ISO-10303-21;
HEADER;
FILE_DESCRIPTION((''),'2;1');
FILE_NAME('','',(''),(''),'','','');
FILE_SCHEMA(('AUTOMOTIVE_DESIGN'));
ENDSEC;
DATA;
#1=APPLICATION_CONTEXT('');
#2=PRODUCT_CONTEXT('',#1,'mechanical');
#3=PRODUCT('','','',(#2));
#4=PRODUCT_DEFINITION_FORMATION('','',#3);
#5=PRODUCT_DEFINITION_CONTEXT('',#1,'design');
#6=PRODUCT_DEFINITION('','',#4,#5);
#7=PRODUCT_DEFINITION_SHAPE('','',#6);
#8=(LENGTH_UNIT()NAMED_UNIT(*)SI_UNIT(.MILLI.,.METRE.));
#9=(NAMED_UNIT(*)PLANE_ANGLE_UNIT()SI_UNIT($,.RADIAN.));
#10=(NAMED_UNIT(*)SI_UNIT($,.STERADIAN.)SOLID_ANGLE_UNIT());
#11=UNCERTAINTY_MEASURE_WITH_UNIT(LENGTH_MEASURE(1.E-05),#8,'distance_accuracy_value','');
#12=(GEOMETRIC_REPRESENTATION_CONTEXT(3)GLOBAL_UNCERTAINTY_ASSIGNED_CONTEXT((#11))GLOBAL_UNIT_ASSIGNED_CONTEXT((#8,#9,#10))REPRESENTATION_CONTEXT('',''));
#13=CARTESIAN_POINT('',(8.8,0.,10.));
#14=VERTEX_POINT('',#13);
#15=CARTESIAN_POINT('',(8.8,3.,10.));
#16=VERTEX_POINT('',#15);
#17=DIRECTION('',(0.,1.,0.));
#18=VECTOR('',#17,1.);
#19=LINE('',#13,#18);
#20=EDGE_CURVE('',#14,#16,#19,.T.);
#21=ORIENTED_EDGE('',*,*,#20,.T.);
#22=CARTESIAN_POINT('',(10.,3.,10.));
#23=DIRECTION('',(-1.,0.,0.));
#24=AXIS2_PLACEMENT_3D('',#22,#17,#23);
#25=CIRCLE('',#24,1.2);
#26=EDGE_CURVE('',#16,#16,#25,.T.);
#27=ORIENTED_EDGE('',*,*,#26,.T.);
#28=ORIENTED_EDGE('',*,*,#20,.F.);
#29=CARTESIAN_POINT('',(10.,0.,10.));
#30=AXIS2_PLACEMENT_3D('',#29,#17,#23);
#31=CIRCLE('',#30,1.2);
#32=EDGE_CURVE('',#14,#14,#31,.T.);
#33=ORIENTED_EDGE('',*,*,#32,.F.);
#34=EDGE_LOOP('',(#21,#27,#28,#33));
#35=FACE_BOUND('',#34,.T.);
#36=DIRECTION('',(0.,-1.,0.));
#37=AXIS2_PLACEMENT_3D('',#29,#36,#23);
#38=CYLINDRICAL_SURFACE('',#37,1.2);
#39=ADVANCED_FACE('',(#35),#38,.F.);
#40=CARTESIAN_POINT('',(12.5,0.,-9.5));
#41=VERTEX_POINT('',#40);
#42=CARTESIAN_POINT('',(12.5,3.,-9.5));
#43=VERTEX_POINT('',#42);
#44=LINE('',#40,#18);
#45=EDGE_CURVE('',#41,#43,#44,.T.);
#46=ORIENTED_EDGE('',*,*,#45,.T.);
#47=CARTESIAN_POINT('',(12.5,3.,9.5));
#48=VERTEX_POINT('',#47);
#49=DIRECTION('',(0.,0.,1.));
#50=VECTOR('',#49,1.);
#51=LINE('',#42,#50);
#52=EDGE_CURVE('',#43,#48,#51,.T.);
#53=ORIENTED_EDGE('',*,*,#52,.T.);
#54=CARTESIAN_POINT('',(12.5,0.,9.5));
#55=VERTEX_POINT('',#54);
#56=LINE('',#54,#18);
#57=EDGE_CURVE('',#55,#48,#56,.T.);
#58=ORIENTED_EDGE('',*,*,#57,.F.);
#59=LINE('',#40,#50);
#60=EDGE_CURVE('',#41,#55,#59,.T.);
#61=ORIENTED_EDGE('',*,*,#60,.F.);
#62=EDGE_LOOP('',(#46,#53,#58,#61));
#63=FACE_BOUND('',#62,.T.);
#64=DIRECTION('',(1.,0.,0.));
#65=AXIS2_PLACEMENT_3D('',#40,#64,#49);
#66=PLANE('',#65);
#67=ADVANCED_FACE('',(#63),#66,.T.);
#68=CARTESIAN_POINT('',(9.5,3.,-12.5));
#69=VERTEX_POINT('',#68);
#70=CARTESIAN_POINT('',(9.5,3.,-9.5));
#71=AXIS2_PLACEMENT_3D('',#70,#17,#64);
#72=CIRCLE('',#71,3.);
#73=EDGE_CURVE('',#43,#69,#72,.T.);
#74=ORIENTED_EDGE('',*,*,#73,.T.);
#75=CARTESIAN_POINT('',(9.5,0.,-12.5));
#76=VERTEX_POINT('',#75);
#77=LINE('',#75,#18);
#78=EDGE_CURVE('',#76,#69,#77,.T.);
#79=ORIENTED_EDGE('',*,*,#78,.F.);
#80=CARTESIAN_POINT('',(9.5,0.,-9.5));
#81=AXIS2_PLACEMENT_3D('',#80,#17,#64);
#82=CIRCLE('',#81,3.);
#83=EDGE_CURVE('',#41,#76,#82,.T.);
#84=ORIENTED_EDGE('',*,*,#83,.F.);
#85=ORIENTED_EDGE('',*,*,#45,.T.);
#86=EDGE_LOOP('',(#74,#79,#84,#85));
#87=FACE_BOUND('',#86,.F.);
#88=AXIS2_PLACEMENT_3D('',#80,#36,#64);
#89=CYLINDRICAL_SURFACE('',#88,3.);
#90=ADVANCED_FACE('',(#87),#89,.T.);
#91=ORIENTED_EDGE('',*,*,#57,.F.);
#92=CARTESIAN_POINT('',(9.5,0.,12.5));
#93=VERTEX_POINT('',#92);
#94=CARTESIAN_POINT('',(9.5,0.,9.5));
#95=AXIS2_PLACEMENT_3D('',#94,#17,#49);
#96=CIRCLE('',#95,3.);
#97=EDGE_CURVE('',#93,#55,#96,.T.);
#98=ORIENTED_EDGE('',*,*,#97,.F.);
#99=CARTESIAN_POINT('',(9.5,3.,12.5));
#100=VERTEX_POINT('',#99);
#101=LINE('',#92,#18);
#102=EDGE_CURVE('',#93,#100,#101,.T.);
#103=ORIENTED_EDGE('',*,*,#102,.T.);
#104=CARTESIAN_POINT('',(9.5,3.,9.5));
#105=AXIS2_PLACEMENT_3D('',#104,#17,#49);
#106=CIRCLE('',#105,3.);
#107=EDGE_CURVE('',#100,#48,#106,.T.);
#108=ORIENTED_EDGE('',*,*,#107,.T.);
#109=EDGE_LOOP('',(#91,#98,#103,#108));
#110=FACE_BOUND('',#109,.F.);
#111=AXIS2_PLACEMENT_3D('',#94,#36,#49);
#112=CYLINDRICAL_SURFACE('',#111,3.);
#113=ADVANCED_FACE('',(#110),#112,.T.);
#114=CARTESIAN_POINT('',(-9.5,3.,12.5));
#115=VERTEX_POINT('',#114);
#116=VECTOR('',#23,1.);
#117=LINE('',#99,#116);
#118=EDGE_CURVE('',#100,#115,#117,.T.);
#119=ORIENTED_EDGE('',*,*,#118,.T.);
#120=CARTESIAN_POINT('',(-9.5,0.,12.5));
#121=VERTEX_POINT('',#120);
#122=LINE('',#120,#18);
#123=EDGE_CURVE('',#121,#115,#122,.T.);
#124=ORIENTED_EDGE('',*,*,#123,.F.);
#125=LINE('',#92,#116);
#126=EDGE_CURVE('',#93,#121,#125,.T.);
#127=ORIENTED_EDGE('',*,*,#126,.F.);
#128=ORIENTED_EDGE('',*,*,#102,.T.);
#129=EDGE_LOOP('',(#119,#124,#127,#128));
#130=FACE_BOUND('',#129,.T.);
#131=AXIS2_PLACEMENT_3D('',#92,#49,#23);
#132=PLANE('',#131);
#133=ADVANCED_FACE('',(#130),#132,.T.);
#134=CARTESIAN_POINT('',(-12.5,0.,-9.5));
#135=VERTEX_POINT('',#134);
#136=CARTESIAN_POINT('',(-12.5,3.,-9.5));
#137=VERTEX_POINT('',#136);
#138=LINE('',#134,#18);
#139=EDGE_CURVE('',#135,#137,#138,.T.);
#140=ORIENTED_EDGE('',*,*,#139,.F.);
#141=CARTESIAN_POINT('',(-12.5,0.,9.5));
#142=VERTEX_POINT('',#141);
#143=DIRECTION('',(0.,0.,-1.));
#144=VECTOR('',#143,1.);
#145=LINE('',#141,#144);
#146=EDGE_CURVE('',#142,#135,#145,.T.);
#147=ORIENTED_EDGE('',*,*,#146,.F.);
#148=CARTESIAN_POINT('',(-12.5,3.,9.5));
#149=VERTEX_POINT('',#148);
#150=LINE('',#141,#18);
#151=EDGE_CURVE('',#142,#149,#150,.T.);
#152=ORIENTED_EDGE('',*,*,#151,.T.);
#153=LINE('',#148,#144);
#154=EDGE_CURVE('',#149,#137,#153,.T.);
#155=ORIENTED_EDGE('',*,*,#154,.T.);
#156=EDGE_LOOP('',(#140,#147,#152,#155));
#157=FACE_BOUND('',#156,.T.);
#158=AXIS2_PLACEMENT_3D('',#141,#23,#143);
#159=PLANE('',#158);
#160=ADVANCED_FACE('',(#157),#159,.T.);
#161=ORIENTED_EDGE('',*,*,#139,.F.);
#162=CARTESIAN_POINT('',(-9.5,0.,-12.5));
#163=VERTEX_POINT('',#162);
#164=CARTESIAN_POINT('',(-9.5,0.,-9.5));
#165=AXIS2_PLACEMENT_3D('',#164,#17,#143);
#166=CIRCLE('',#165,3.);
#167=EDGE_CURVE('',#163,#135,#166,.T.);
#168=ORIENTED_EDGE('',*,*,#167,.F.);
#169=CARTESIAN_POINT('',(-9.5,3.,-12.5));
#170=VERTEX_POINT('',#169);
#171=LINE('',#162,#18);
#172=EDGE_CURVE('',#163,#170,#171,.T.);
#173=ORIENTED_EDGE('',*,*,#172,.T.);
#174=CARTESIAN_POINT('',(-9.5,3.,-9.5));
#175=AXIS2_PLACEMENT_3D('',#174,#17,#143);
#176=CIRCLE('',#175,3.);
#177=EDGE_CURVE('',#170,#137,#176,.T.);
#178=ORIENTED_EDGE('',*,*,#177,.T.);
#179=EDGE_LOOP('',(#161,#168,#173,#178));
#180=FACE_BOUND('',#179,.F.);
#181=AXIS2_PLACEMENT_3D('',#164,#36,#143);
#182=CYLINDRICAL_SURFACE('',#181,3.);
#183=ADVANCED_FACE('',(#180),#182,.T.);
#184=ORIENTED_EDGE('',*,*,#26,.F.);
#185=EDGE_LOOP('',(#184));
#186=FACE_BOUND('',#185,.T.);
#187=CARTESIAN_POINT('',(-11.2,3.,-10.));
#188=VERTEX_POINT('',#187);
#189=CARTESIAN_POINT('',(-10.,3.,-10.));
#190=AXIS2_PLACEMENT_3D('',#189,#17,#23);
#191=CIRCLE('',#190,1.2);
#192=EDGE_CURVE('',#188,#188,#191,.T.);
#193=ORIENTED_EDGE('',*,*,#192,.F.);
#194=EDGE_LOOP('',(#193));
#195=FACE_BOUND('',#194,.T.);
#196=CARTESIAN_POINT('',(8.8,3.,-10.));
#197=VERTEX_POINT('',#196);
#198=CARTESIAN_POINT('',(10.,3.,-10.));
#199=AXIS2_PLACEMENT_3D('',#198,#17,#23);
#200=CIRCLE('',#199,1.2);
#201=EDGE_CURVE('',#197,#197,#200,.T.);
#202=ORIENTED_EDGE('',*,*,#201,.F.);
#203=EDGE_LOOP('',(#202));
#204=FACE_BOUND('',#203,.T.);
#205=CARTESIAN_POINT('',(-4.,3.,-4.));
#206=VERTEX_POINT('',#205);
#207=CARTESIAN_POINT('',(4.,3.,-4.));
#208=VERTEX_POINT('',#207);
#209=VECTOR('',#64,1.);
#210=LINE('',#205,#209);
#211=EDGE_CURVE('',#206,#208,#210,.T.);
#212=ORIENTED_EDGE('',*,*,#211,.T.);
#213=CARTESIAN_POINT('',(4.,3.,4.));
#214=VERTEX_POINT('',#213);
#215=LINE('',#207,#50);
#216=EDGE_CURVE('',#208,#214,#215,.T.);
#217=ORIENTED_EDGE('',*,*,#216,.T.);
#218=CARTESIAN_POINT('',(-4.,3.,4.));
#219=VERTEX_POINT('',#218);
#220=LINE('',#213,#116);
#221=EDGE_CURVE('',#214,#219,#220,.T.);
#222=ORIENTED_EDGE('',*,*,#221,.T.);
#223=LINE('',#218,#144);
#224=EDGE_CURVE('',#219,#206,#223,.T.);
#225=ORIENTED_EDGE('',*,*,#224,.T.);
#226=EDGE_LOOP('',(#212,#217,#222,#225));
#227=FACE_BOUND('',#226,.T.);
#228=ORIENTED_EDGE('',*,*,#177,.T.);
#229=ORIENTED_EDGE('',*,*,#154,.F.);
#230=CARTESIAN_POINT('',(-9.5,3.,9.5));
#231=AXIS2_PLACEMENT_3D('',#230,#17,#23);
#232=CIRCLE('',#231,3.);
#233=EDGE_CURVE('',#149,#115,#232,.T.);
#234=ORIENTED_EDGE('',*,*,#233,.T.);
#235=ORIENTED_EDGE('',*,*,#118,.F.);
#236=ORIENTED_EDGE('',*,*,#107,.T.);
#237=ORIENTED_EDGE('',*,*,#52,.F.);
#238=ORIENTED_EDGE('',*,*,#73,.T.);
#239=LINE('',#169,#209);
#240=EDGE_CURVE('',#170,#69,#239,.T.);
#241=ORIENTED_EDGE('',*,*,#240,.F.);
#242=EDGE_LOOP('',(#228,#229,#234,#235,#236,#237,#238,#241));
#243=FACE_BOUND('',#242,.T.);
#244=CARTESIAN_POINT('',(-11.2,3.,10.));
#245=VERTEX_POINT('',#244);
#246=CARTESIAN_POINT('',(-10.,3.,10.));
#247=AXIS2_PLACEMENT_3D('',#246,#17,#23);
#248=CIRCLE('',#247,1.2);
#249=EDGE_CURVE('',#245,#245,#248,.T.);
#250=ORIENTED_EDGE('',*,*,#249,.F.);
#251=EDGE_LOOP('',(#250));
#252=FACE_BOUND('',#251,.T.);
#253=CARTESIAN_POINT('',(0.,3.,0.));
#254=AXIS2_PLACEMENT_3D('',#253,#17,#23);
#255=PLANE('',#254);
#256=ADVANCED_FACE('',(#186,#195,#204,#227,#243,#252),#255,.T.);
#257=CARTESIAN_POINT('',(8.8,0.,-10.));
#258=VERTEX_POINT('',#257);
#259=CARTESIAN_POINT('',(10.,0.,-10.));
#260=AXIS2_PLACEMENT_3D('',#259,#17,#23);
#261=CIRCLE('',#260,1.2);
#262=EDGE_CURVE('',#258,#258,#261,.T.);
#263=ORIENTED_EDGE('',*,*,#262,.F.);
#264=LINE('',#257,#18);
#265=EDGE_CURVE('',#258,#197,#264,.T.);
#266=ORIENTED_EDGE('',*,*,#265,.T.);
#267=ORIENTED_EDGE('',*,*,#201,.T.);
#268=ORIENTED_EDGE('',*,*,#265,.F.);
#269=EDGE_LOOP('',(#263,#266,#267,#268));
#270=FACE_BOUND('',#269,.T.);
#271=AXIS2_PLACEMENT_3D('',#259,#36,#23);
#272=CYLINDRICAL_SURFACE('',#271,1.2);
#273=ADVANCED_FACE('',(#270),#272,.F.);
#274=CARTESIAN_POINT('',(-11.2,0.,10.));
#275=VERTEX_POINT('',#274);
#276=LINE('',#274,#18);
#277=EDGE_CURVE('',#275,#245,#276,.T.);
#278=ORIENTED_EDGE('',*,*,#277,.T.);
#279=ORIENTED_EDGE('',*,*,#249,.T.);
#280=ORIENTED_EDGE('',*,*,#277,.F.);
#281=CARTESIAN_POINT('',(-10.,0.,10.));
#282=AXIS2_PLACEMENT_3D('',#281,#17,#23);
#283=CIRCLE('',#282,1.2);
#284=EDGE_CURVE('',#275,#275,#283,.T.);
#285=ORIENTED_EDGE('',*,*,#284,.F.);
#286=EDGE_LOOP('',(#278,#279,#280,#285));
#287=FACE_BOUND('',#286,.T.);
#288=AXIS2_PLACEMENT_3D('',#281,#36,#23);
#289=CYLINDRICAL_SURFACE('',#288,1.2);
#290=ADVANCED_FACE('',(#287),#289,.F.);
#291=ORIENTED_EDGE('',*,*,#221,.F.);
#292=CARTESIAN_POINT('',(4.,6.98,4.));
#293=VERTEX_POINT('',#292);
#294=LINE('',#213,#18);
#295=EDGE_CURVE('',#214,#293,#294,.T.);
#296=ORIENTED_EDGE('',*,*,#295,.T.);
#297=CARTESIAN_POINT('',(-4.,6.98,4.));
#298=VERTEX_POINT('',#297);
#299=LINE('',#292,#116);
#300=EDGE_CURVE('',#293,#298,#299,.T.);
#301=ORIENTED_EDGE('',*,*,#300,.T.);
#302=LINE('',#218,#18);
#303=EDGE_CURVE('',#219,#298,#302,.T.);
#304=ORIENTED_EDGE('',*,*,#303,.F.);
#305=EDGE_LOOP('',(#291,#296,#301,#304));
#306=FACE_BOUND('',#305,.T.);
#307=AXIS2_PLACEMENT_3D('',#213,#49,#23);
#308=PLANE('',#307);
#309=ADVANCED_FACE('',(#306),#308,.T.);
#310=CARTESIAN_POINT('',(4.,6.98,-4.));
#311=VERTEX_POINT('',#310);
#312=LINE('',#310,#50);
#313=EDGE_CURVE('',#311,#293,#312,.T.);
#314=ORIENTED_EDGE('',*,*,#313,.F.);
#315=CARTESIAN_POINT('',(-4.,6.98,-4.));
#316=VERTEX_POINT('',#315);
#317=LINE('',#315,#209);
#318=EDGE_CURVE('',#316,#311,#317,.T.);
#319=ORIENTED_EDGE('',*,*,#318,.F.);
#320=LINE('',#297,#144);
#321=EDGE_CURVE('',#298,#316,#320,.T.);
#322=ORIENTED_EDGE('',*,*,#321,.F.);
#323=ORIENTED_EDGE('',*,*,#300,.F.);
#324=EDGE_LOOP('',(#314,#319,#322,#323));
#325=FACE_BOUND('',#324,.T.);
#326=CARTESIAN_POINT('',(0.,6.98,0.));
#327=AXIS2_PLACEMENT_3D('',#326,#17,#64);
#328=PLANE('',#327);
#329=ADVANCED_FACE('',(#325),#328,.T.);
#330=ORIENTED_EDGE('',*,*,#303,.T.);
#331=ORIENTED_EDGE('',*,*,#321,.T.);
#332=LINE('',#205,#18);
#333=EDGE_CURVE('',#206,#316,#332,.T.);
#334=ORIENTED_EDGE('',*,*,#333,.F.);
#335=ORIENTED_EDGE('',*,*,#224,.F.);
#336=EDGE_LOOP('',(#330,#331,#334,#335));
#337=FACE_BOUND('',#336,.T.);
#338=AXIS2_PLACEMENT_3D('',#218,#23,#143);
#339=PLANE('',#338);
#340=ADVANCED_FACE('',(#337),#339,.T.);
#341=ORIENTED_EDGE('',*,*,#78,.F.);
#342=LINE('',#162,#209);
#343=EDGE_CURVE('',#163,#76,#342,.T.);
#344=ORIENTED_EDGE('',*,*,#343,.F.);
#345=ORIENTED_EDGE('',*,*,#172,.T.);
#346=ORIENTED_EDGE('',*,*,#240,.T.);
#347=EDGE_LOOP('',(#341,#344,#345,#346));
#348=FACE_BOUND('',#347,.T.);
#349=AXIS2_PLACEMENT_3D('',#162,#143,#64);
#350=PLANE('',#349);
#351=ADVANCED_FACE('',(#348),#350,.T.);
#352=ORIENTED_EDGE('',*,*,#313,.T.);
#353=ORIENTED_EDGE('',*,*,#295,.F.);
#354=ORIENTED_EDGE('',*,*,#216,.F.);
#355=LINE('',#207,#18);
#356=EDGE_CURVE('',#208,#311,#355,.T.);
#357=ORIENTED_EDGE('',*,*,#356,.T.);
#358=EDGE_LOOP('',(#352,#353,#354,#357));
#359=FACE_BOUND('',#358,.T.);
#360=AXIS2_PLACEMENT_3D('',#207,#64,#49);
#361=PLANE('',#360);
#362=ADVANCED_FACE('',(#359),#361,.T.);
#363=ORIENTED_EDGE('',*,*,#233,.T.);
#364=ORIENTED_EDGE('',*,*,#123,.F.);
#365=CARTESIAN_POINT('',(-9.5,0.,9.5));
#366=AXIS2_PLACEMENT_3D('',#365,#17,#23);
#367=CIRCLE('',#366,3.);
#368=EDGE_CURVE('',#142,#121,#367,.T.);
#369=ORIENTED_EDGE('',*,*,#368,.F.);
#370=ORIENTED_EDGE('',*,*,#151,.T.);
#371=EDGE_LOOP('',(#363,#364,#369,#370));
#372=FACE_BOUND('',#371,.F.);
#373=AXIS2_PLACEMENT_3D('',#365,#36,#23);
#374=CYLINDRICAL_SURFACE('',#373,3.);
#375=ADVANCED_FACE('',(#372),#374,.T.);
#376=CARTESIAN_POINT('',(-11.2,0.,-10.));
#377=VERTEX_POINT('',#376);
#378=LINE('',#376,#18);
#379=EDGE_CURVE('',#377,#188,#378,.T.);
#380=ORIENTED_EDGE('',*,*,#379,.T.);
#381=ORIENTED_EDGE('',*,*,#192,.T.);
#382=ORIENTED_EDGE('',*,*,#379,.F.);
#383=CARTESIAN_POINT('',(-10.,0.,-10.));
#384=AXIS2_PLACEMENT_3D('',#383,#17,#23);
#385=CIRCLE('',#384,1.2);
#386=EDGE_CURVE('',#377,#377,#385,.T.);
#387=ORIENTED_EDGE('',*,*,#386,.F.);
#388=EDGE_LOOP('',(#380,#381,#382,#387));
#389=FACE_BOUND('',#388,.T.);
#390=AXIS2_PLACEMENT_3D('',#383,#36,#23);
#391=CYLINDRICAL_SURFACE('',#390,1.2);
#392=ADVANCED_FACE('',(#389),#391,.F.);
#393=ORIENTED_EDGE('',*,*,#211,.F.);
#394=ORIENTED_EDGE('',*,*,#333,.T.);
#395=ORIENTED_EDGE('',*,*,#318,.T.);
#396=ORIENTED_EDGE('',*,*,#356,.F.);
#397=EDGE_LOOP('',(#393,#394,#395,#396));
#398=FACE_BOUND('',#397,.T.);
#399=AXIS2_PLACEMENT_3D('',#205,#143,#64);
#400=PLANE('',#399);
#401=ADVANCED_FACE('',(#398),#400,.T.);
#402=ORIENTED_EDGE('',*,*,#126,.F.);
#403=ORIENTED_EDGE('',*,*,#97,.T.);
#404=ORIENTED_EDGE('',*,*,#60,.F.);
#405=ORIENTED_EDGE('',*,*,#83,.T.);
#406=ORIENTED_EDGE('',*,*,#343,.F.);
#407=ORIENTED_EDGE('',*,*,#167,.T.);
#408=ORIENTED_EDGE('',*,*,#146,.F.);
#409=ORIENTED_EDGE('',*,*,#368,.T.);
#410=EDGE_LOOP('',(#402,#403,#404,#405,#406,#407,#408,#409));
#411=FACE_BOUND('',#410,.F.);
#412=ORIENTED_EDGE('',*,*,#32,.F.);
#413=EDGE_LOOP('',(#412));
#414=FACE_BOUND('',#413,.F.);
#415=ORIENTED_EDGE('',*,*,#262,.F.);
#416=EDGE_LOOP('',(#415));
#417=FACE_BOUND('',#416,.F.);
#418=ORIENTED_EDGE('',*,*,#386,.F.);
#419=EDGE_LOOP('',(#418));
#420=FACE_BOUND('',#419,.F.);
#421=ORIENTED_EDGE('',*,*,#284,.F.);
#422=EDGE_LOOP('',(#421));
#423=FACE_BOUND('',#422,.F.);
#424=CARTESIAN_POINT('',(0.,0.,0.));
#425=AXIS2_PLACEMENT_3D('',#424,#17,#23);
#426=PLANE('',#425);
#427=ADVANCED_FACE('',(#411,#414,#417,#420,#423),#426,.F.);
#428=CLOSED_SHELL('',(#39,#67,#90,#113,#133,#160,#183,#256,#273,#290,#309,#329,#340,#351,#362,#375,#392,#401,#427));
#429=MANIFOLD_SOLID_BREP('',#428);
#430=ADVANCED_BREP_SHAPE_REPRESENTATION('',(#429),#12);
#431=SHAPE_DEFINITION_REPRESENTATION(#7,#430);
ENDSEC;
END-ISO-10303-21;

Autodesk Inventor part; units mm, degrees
ref_plane "YZ Plane" through (0, 0, 0) normal (1, 0, 0) x (0, 1, 0)
ref_plane "XZ Plane" through (0, 0, 0) normal (0, 1, 0) x (-1, 0, 0)
ref_plane "XY Plane" through (0, 0, 0) normal (0, 0, 1) x (1, 0, 0)
sketch "Sketch1" plane through (0, 0, 0) normal (0, 1, 0) x (-1, 0, 0)
  line L0 (-9.5, 12.5) -> (9.5, 12.5)
  line L1 (12.5, 9.5) -> (12.5, -9.5)
  line L2 (9.5, -12.5) -> (-9.5, -12.5)
  line L3 (-12.5, -9.5) -> (-12.5, 9.5)
  line L4 (-12.5, 12.5) -> (12.5, -12.5) construction
  line L5 (12.5, 12.5) -> (-12.5, -12.5) construction
  line L6 (-10, -10) -> (10, -10) construction
  line L7 (10, -10) -> (10, 10) construction
  line L8 (10, 10) -> (-10, 10) construction
  line L9 (-10, 10) -> (-10, -10) construction
  line L10 (-10, -10) -> (10, 10) construction
  line L11 (10, -10) -> (-10, 10) construction
  circle A0 centre (10, 10) radius 1.2
  circle A1 centre (10, -10) radius 1.2
  circle A2 centre (-10, 10) radius 1.2
  circle A3 centre (-10, -10) radius 1.2
  arc A4 (12.5, 9.5) -> (9.5, 12.5) centre (9.5, 9.5) ccw
  arc A5 (9.5, -12.5) -> (12.5, -9.5) centre (9.5, -9.5) ccw
  arc A6 (-9.5, 12.5) -> (-12.5, 9.5) centre (-9.5, 9.5) ccw
  arc A7 (-12.5, -9.5) -> (-9.5, -12.5) centre (-9.5, -9.5) ccw
  point P0 (0, 0)
  dimension "d0" = 25
  dimension "d1" = 25
  dimension "d2" = 20
  dimension "d3" = 20
  dimension "d4" = 2.4
  dimension "d7" = 20
  dimension "d10" = 20
  dimension "d13" = 3
extrude "Extrusion1" add sketch "Sketch1" along normal blind 3
sketch "Sketch2" plane through (0, 3, 0) normal (0, 1, 0) x (1, 0, 0)
  line L0 (4, -4) -> (-4, -4)
  line L1 (-4, -4) -> (-4, 4)
  line L2 (-4, 4) -> (4, 4)
  line L3 (4, 4) -> (4, -4)
  line L4 (4, -4) -> (-4, 4) construction
  line L5 (-4, -4) -> (4, 4) construction
  point P0 (0, 0)
  dimension "d16" = 8
  dimension "d17" = 8
extrude "Extrusion2" add sketch "Sketch2" along normal blind 3.98
equation "\"d4\" = hole"
equation "\"hole\" = 2.4"
properties part number "camera"
